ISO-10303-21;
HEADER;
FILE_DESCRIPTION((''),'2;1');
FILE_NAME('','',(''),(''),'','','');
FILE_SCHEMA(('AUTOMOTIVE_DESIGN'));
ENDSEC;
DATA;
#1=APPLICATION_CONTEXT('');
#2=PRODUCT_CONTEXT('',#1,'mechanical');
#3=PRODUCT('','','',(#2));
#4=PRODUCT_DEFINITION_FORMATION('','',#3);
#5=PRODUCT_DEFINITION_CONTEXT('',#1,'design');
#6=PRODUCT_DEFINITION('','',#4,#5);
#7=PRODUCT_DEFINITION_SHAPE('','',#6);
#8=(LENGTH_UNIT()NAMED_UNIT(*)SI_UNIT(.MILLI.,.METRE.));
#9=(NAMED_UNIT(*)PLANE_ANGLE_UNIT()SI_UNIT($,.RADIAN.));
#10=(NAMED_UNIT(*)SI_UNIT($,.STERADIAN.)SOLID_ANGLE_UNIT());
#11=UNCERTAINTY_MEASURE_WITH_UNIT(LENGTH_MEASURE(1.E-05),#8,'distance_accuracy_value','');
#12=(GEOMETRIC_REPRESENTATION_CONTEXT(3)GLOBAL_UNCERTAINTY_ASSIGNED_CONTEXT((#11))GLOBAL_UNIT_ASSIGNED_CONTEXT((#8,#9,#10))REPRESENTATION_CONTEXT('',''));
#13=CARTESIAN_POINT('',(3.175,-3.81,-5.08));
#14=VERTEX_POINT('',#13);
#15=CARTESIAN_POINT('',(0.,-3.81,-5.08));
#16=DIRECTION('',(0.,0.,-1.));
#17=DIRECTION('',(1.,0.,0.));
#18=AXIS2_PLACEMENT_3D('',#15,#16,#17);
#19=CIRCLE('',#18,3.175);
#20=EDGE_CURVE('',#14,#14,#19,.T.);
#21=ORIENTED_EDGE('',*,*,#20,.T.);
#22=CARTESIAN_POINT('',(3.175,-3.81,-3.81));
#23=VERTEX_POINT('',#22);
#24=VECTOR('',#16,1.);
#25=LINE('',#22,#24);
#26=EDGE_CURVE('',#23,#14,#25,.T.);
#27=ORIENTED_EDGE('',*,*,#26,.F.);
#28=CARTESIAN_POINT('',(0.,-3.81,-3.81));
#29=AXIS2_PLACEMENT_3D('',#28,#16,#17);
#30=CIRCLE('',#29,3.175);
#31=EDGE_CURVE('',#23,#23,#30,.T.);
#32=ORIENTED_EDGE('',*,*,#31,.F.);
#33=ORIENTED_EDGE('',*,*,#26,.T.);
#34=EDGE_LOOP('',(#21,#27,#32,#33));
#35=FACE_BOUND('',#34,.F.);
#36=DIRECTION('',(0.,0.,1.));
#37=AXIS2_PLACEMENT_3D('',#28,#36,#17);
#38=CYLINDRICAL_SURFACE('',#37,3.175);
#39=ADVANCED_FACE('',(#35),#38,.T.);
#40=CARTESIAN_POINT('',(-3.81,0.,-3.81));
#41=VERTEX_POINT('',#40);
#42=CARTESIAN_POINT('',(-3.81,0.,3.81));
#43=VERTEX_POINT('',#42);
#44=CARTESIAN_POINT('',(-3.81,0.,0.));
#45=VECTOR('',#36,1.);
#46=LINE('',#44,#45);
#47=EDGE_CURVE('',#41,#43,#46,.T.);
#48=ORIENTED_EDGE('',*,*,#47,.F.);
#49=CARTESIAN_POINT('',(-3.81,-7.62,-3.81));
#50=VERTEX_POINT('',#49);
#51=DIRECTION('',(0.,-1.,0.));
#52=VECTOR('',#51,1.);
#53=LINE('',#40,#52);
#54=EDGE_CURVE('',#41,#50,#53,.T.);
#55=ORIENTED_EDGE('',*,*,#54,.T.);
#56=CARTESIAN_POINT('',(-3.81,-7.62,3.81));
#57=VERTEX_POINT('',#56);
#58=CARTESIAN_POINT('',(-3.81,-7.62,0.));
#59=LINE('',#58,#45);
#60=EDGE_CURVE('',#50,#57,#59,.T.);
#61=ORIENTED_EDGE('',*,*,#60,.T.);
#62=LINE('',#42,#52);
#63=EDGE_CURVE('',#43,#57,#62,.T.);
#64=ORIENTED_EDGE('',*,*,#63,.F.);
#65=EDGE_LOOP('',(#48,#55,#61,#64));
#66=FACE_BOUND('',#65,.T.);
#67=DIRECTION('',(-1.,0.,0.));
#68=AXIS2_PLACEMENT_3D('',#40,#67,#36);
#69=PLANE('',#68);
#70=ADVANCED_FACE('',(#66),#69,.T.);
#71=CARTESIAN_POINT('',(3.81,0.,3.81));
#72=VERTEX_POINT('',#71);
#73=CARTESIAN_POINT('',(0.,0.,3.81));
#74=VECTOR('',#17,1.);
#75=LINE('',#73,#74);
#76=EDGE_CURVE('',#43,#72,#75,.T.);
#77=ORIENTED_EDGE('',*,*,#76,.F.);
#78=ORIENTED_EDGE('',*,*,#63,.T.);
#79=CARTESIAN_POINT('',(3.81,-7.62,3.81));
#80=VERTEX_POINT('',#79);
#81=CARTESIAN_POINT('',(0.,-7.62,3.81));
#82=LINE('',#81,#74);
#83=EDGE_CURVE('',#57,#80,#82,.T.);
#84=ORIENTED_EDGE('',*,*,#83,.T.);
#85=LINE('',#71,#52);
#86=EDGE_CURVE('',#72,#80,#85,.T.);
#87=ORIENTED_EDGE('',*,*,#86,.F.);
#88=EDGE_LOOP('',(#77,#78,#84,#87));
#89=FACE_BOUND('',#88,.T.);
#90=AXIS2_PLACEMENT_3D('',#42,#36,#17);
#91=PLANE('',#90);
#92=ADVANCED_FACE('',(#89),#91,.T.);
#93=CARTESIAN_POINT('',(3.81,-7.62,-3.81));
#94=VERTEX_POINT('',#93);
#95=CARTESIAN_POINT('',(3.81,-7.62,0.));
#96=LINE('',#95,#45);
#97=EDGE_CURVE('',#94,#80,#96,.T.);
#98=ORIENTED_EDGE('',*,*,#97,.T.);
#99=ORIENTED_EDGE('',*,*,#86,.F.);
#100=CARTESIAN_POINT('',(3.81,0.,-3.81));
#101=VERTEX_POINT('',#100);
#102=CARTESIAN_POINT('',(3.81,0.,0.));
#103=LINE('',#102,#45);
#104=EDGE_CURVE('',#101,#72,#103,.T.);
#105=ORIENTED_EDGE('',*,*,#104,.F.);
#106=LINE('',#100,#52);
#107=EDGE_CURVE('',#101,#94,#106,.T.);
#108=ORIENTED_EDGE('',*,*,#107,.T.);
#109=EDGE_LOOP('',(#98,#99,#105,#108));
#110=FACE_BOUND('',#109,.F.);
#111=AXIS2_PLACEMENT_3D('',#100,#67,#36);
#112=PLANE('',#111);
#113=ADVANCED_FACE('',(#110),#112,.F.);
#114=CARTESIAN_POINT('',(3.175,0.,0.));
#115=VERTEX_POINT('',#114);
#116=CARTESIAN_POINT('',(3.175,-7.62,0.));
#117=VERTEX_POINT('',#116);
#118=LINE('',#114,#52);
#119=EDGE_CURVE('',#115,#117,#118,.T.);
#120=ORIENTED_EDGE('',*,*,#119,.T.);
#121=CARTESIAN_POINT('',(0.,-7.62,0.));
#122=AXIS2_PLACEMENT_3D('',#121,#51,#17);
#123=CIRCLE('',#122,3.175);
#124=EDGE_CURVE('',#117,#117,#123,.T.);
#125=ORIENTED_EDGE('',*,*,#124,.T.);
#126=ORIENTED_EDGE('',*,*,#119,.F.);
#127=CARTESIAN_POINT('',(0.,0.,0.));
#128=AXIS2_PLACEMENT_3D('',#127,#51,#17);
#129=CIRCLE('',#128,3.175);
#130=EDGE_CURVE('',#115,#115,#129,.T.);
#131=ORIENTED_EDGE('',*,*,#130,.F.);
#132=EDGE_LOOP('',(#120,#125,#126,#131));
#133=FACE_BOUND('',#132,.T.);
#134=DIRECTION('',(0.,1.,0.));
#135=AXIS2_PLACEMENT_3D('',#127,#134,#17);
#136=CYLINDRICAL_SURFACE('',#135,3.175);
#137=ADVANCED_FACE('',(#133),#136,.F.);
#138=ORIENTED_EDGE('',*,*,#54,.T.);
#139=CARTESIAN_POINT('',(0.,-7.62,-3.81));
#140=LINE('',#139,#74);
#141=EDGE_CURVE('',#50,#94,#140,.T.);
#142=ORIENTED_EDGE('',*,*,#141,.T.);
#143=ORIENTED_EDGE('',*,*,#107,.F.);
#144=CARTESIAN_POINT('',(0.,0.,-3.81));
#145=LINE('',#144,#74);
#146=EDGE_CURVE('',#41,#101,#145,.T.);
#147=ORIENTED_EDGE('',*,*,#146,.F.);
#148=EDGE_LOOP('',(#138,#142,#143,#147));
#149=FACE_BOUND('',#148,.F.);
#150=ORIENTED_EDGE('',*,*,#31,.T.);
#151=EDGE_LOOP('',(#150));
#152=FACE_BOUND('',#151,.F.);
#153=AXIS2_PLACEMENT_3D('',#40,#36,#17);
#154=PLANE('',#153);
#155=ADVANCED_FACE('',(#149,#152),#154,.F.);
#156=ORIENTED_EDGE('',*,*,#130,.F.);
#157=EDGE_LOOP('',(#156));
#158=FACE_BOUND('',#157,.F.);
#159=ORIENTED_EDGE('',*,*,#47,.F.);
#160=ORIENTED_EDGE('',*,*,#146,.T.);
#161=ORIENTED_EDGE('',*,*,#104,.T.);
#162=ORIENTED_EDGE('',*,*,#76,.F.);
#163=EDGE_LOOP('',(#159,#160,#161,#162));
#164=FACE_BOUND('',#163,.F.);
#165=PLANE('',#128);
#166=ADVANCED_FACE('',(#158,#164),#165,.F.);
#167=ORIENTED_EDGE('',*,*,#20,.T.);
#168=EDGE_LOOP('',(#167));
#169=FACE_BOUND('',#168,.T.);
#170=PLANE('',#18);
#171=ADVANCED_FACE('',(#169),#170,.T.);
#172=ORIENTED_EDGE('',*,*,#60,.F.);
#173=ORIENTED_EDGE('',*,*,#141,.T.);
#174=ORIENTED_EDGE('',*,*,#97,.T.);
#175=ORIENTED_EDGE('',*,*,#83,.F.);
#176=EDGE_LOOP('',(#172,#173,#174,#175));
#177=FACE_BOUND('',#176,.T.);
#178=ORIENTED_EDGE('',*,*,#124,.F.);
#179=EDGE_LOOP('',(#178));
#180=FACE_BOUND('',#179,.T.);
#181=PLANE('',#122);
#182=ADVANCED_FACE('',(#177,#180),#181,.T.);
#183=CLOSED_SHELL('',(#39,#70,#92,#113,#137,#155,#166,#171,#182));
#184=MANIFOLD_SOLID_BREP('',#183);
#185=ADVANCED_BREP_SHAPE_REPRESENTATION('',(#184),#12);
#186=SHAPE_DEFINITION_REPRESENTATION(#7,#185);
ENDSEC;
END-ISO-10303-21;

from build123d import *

# Parameters (mm, degrees)
F0_W     = 7.62
F0_H     = 7.62
F0_R     = 3.175
F1_DEPTH = 7.62
F2_R     = 3.175
F3_DEPTH = 1.27


with BuildPart() as f1:
    # F0 (on Front) → F1 (new body)
    with BuildSketch(Plane.XZ):
        Rectangle(F0_W, F0_H)
        Circle(F0_R, mode=Mode.SUBTRACT)
    extrude(amount=F1_DEPTH)

    # F2 (on face) → F3 (join)
    with BuildSketch(Plane(origin=(0, 0, -3.81), x_dir=(1, 0, 0), z_dir=(0, 0, -1))):
        with Locations((0, 3.81)):
            Circle(F2_R)
    extrude(amount=F3_DEPTH)


solid = f1.part
